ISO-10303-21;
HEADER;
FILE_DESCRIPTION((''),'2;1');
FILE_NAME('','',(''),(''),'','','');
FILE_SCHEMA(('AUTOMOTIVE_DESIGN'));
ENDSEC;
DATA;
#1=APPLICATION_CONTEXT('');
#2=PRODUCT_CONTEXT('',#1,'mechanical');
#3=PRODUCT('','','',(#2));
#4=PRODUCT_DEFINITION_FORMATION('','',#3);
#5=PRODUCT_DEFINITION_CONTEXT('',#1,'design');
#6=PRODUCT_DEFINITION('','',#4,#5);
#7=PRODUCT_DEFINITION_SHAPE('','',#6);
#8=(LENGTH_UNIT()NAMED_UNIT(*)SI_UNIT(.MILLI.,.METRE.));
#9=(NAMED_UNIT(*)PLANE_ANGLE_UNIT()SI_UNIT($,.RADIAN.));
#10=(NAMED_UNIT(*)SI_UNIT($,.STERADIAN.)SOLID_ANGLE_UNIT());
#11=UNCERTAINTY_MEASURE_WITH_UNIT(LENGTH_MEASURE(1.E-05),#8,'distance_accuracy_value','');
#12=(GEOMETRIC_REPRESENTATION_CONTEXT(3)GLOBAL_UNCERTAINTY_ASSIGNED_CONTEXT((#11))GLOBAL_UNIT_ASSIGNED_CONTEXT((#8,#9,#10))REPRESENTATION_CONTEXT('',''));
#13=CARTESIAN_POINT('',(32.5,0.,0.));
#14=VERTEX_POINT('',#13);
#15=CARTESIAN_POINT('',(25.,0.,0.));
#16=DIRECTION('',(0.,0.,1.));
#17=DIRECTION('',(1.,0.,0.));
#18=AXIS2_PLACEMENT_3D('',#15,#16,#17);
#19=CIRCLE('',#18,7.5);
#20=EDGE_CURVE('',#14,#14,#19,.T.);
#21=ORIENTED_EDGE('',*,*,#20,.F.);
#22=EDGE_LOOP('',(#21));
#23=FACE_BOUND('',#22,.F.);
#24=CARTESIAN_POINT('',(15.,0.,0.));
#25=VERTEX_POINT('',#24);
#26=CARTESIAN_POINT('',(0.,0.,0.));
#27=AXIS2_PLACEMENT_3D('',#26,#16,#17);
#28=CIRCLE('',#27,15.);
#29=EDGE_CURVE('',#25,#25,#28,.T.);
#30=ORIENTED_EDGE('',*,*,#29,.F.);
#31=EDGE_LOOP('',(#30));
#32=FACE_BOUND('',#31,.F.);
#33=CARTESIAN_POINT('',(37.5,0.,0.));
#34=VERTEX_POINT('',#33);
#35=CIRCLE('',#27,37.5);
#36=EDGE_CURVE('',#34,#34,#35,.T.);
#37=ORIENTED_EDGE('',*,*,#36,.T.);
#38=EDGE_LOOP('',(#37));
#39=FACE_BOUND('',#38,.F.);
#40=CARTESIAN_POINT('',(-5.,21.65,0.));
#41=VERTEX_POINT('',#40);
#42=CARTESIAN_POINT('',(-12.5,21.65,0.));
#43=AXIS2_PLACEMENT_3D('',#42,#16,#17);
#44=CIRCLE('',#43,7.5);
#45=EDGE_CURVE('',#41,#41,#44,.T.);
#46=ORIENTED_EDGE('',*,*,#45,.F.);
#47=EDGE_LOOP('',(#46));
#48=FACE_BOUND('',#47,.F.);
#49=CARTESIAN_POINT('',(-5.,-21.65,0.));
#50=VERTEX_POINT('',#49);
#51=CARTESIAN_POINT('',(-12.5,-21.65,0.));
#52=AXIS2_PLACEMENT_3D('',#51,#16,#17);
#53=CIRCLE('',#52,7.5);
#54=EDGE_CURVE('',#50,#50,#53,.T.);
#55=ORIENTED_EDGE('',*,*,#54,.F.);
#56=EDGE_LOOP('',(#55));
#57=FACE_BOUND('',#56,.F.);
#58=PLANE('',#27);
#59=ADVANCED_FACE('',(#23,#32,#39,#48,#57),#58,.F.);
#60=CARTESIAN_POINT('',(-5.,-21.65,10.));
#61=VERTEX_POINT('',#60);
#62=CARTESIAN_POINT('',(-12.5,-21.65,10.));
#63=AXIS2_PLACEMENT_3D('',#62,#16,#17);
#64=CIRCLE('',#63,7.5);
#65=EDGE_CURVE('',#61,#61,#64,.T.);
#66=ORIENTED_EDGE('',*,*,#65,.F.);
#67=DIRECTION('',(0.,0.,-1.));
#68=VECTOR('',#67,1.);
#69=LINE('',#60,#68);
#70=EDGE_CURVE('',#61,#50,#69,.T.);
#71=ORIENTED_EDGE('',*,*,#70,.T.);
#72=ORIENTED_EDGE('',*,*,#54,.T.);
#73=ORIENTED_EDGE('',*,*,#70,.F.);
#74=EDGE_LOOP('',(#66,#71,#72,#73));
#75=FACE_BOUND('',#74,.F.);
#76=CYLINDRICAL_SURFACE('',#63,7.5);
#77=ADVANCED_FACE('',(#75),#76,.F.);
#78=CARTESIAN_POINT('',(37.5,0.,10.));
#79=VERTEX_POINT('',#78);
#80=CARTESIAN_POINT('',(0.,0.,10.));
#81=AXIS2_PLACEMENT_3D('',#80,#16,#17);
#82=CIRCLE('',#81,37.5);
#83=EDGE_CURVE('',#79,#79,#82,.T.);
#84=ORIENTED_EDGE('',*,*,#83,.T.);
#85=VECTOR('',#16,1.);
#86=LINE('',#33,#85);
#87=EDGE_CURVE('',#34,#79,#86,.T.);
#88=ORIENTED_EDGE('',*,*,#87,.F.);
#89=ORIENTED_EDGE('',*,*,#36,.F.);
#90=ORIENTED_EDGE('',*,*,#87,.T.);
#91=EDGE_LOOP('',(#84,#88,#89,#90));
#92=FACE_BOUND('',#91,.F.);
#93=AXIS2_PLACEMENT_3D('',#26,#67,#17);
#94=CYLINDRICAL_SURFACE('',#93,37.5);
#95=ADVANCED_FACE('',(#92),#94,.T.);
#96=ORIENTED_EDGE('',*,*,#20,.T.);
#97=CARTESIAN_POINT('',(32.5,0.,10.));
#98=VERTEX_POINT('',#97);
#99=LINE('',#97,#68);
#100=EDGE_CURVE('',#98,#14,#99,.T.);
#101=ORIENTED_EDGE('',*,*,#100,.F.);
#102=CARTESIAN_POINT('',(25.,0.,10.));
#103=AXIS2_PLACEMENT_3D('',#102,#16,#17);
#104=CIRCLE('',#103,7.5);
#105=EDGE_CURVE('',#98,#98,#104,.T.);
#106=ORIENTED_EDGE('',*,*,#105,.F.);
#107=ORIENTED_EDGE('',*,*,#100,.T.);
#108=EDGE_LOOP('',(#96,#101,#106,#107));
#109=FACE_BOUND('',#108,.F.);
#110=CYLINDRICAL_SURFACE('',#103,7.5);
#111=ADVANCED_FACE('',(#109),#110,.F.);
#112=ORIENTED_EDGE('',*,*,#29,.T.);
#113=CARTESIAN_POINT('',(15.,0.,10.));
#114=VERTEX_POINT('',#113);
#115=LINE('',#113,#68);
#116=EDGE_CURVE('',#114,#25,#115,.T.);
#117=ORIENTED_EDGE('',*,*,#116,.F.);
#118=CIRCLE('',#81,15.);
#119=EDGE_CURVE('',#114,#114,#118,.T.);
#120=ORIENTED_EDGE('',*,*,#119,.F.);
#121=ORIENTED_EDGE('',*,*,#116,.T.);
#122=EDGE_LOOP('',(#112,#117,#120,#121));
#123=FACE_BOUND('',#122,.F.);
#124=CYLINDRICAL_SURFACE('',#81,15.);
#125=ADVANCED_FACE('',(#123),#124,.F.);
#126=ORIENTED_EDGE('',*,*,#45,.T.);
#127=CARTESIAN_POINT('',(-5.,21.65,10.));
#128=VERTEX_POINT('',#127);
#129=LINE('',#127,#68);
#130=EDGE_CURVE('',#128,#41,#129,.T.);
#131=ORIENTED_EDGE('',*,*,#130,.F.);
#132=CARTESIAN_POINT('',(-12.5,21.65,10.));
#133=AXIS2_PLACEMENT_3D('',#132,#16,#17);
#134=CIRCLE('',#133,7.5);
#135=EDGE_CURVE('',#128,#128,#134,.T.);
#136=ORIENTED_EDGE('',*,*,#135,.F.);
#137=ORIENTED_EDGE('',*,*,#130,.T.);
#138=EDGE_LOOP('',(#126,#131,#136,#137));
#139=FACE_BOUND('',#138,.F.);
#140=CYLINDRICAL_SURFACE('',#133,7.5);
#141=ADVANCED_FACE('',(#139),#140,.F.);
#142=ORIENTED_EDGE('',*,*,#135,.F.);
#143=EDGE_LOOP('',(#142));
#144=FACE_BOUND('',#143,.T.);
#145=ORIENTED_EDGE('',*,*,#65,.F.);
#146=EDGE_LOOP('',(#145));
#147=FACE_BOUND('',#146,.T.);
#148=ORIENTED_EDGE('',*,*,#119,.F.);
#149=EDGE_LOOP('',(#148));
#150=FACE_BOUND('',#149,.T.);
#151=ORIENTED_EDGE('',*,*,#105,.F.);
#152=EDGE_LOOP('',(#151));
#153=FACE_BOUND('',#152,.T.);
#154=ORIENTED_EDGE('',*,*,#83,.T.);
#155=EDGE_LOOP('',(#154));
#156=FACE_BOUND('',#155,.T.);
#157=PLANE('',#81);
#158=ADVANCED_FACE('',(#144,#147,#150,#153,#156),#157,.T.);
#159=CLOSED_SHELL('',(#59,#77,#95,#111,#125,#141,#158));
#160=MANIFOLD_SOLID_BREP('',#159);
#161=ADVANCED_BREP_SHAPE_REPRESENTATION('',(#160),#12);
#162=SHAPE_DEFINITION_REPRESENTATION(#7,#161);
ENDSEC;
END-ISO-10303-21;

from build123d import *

# Parameters (mm, degrees)
SKETCH_1_R     = 37.5
PAD_1_DEPTH    = 10
SKETCH_2_R     = 15
POCKET_2_DEPTH = 10.001
SKETCH_3_R     = 7.5
POCKET_3_DEPTH = 10.001
SKETCH_4_R     = 4.5
POCKET_4_DEPTH = 10.001
SKETCH_5_R     = 7.5
POCKET_5_DEPTH = 10.001
SKETCH_6_R     = 4.5
POCKET_6_DEPTH = 10.001
SKETCH_7_R     = 7.5
POCKET_7_DEPTH = 10.001
SKETCH_8_R     = 4.5
POCKET_8_DEPTH = 10.001


with BuildPart() as part:
    # Sketch_1 → Pad_1 (new body)
    with BuildSketch(Plane.XY):
        Circle(SKETCH_1_R)
    extrude(amount=PAD_1_DEPTH)

    # Sketch_2 (on Face3 of Pad_1) → Pocket_2 (cut, through all)
    with BuildSketch(Plane.XY.offset(10)):
        Circle(SKETCH_2_R)
    extrude(amount=-POCKET_2_DEPTH, mode=Mode.SUBTRACT)

    # Sketch_3 (on Face3 of Pocket_2) → Pocket_3 (cut, through all)
    with BuildSketch(Plane.XY.offset(10)):
        with Locations((25, 0)):
            Circle(SKETCH_3_R)
    extrude(amount=-POCKET_3_DEPTH, mode=Mode.SUBTRACT)

    # Sketch_4 (on Face3 of Pocket_3) → Pocket_4 (cut, through all)
    with BuildSketch(Plane.XY.offset(10)):
        with Locations((25, 0)):
            Circle(SKETCH_4_R)
    extrude(amount=-POCKET_4_DEPTH, mode=Mode.SUBTRACT)

    # Sketch_5 (on Face3 of Pocket_4) → Pocket_5 (cut, through all)
    with BuildSketch(Plane.XY.offset(10)):
        with Locations((-12.5, 21.65)):
            Circle(SKETCH_5_R)
    extrude(amount=-POCKET_5_DEPTH, mode=Mode.SUBTRACT)

    # Sketch_6 (on Face3 of Pocket_5) → Pocket_6 (cut, through all)
    with BuildSketch(Plane.XY.offset(10)):
        with Locations((-12.5, 21.65)):
            Circle(SKETCH_6_R)
    extrude(amount=-POCKET_6_DEPTH, mode=Mode.SUBTRACT)

    # Sketch_7 (on Face3 of Pocket_6) → Pocket_7 (cut, through all)
    with BuildSketch(Plane.XY.offset(10)):
        with Locations((-12.5, -21.65)):
            Circle(SKETCH_7_R)
    extrude(amount=-POCKET_7_DEPTH, mode=Mode.SUBTRACT)

    # Sketch_8 (on Face3 of Pocket_7) → Pocket_8 (cut, through all)
    with BuildSketch(Plane.XY.offset(10)):
        with Locations((-12.5, -21.65)):
            Circle(SKETCH_8_R)
    extrude(amount=-POCKET_8_DEPTH, mode=Mode.SUBTRACT)


solid = part.part
